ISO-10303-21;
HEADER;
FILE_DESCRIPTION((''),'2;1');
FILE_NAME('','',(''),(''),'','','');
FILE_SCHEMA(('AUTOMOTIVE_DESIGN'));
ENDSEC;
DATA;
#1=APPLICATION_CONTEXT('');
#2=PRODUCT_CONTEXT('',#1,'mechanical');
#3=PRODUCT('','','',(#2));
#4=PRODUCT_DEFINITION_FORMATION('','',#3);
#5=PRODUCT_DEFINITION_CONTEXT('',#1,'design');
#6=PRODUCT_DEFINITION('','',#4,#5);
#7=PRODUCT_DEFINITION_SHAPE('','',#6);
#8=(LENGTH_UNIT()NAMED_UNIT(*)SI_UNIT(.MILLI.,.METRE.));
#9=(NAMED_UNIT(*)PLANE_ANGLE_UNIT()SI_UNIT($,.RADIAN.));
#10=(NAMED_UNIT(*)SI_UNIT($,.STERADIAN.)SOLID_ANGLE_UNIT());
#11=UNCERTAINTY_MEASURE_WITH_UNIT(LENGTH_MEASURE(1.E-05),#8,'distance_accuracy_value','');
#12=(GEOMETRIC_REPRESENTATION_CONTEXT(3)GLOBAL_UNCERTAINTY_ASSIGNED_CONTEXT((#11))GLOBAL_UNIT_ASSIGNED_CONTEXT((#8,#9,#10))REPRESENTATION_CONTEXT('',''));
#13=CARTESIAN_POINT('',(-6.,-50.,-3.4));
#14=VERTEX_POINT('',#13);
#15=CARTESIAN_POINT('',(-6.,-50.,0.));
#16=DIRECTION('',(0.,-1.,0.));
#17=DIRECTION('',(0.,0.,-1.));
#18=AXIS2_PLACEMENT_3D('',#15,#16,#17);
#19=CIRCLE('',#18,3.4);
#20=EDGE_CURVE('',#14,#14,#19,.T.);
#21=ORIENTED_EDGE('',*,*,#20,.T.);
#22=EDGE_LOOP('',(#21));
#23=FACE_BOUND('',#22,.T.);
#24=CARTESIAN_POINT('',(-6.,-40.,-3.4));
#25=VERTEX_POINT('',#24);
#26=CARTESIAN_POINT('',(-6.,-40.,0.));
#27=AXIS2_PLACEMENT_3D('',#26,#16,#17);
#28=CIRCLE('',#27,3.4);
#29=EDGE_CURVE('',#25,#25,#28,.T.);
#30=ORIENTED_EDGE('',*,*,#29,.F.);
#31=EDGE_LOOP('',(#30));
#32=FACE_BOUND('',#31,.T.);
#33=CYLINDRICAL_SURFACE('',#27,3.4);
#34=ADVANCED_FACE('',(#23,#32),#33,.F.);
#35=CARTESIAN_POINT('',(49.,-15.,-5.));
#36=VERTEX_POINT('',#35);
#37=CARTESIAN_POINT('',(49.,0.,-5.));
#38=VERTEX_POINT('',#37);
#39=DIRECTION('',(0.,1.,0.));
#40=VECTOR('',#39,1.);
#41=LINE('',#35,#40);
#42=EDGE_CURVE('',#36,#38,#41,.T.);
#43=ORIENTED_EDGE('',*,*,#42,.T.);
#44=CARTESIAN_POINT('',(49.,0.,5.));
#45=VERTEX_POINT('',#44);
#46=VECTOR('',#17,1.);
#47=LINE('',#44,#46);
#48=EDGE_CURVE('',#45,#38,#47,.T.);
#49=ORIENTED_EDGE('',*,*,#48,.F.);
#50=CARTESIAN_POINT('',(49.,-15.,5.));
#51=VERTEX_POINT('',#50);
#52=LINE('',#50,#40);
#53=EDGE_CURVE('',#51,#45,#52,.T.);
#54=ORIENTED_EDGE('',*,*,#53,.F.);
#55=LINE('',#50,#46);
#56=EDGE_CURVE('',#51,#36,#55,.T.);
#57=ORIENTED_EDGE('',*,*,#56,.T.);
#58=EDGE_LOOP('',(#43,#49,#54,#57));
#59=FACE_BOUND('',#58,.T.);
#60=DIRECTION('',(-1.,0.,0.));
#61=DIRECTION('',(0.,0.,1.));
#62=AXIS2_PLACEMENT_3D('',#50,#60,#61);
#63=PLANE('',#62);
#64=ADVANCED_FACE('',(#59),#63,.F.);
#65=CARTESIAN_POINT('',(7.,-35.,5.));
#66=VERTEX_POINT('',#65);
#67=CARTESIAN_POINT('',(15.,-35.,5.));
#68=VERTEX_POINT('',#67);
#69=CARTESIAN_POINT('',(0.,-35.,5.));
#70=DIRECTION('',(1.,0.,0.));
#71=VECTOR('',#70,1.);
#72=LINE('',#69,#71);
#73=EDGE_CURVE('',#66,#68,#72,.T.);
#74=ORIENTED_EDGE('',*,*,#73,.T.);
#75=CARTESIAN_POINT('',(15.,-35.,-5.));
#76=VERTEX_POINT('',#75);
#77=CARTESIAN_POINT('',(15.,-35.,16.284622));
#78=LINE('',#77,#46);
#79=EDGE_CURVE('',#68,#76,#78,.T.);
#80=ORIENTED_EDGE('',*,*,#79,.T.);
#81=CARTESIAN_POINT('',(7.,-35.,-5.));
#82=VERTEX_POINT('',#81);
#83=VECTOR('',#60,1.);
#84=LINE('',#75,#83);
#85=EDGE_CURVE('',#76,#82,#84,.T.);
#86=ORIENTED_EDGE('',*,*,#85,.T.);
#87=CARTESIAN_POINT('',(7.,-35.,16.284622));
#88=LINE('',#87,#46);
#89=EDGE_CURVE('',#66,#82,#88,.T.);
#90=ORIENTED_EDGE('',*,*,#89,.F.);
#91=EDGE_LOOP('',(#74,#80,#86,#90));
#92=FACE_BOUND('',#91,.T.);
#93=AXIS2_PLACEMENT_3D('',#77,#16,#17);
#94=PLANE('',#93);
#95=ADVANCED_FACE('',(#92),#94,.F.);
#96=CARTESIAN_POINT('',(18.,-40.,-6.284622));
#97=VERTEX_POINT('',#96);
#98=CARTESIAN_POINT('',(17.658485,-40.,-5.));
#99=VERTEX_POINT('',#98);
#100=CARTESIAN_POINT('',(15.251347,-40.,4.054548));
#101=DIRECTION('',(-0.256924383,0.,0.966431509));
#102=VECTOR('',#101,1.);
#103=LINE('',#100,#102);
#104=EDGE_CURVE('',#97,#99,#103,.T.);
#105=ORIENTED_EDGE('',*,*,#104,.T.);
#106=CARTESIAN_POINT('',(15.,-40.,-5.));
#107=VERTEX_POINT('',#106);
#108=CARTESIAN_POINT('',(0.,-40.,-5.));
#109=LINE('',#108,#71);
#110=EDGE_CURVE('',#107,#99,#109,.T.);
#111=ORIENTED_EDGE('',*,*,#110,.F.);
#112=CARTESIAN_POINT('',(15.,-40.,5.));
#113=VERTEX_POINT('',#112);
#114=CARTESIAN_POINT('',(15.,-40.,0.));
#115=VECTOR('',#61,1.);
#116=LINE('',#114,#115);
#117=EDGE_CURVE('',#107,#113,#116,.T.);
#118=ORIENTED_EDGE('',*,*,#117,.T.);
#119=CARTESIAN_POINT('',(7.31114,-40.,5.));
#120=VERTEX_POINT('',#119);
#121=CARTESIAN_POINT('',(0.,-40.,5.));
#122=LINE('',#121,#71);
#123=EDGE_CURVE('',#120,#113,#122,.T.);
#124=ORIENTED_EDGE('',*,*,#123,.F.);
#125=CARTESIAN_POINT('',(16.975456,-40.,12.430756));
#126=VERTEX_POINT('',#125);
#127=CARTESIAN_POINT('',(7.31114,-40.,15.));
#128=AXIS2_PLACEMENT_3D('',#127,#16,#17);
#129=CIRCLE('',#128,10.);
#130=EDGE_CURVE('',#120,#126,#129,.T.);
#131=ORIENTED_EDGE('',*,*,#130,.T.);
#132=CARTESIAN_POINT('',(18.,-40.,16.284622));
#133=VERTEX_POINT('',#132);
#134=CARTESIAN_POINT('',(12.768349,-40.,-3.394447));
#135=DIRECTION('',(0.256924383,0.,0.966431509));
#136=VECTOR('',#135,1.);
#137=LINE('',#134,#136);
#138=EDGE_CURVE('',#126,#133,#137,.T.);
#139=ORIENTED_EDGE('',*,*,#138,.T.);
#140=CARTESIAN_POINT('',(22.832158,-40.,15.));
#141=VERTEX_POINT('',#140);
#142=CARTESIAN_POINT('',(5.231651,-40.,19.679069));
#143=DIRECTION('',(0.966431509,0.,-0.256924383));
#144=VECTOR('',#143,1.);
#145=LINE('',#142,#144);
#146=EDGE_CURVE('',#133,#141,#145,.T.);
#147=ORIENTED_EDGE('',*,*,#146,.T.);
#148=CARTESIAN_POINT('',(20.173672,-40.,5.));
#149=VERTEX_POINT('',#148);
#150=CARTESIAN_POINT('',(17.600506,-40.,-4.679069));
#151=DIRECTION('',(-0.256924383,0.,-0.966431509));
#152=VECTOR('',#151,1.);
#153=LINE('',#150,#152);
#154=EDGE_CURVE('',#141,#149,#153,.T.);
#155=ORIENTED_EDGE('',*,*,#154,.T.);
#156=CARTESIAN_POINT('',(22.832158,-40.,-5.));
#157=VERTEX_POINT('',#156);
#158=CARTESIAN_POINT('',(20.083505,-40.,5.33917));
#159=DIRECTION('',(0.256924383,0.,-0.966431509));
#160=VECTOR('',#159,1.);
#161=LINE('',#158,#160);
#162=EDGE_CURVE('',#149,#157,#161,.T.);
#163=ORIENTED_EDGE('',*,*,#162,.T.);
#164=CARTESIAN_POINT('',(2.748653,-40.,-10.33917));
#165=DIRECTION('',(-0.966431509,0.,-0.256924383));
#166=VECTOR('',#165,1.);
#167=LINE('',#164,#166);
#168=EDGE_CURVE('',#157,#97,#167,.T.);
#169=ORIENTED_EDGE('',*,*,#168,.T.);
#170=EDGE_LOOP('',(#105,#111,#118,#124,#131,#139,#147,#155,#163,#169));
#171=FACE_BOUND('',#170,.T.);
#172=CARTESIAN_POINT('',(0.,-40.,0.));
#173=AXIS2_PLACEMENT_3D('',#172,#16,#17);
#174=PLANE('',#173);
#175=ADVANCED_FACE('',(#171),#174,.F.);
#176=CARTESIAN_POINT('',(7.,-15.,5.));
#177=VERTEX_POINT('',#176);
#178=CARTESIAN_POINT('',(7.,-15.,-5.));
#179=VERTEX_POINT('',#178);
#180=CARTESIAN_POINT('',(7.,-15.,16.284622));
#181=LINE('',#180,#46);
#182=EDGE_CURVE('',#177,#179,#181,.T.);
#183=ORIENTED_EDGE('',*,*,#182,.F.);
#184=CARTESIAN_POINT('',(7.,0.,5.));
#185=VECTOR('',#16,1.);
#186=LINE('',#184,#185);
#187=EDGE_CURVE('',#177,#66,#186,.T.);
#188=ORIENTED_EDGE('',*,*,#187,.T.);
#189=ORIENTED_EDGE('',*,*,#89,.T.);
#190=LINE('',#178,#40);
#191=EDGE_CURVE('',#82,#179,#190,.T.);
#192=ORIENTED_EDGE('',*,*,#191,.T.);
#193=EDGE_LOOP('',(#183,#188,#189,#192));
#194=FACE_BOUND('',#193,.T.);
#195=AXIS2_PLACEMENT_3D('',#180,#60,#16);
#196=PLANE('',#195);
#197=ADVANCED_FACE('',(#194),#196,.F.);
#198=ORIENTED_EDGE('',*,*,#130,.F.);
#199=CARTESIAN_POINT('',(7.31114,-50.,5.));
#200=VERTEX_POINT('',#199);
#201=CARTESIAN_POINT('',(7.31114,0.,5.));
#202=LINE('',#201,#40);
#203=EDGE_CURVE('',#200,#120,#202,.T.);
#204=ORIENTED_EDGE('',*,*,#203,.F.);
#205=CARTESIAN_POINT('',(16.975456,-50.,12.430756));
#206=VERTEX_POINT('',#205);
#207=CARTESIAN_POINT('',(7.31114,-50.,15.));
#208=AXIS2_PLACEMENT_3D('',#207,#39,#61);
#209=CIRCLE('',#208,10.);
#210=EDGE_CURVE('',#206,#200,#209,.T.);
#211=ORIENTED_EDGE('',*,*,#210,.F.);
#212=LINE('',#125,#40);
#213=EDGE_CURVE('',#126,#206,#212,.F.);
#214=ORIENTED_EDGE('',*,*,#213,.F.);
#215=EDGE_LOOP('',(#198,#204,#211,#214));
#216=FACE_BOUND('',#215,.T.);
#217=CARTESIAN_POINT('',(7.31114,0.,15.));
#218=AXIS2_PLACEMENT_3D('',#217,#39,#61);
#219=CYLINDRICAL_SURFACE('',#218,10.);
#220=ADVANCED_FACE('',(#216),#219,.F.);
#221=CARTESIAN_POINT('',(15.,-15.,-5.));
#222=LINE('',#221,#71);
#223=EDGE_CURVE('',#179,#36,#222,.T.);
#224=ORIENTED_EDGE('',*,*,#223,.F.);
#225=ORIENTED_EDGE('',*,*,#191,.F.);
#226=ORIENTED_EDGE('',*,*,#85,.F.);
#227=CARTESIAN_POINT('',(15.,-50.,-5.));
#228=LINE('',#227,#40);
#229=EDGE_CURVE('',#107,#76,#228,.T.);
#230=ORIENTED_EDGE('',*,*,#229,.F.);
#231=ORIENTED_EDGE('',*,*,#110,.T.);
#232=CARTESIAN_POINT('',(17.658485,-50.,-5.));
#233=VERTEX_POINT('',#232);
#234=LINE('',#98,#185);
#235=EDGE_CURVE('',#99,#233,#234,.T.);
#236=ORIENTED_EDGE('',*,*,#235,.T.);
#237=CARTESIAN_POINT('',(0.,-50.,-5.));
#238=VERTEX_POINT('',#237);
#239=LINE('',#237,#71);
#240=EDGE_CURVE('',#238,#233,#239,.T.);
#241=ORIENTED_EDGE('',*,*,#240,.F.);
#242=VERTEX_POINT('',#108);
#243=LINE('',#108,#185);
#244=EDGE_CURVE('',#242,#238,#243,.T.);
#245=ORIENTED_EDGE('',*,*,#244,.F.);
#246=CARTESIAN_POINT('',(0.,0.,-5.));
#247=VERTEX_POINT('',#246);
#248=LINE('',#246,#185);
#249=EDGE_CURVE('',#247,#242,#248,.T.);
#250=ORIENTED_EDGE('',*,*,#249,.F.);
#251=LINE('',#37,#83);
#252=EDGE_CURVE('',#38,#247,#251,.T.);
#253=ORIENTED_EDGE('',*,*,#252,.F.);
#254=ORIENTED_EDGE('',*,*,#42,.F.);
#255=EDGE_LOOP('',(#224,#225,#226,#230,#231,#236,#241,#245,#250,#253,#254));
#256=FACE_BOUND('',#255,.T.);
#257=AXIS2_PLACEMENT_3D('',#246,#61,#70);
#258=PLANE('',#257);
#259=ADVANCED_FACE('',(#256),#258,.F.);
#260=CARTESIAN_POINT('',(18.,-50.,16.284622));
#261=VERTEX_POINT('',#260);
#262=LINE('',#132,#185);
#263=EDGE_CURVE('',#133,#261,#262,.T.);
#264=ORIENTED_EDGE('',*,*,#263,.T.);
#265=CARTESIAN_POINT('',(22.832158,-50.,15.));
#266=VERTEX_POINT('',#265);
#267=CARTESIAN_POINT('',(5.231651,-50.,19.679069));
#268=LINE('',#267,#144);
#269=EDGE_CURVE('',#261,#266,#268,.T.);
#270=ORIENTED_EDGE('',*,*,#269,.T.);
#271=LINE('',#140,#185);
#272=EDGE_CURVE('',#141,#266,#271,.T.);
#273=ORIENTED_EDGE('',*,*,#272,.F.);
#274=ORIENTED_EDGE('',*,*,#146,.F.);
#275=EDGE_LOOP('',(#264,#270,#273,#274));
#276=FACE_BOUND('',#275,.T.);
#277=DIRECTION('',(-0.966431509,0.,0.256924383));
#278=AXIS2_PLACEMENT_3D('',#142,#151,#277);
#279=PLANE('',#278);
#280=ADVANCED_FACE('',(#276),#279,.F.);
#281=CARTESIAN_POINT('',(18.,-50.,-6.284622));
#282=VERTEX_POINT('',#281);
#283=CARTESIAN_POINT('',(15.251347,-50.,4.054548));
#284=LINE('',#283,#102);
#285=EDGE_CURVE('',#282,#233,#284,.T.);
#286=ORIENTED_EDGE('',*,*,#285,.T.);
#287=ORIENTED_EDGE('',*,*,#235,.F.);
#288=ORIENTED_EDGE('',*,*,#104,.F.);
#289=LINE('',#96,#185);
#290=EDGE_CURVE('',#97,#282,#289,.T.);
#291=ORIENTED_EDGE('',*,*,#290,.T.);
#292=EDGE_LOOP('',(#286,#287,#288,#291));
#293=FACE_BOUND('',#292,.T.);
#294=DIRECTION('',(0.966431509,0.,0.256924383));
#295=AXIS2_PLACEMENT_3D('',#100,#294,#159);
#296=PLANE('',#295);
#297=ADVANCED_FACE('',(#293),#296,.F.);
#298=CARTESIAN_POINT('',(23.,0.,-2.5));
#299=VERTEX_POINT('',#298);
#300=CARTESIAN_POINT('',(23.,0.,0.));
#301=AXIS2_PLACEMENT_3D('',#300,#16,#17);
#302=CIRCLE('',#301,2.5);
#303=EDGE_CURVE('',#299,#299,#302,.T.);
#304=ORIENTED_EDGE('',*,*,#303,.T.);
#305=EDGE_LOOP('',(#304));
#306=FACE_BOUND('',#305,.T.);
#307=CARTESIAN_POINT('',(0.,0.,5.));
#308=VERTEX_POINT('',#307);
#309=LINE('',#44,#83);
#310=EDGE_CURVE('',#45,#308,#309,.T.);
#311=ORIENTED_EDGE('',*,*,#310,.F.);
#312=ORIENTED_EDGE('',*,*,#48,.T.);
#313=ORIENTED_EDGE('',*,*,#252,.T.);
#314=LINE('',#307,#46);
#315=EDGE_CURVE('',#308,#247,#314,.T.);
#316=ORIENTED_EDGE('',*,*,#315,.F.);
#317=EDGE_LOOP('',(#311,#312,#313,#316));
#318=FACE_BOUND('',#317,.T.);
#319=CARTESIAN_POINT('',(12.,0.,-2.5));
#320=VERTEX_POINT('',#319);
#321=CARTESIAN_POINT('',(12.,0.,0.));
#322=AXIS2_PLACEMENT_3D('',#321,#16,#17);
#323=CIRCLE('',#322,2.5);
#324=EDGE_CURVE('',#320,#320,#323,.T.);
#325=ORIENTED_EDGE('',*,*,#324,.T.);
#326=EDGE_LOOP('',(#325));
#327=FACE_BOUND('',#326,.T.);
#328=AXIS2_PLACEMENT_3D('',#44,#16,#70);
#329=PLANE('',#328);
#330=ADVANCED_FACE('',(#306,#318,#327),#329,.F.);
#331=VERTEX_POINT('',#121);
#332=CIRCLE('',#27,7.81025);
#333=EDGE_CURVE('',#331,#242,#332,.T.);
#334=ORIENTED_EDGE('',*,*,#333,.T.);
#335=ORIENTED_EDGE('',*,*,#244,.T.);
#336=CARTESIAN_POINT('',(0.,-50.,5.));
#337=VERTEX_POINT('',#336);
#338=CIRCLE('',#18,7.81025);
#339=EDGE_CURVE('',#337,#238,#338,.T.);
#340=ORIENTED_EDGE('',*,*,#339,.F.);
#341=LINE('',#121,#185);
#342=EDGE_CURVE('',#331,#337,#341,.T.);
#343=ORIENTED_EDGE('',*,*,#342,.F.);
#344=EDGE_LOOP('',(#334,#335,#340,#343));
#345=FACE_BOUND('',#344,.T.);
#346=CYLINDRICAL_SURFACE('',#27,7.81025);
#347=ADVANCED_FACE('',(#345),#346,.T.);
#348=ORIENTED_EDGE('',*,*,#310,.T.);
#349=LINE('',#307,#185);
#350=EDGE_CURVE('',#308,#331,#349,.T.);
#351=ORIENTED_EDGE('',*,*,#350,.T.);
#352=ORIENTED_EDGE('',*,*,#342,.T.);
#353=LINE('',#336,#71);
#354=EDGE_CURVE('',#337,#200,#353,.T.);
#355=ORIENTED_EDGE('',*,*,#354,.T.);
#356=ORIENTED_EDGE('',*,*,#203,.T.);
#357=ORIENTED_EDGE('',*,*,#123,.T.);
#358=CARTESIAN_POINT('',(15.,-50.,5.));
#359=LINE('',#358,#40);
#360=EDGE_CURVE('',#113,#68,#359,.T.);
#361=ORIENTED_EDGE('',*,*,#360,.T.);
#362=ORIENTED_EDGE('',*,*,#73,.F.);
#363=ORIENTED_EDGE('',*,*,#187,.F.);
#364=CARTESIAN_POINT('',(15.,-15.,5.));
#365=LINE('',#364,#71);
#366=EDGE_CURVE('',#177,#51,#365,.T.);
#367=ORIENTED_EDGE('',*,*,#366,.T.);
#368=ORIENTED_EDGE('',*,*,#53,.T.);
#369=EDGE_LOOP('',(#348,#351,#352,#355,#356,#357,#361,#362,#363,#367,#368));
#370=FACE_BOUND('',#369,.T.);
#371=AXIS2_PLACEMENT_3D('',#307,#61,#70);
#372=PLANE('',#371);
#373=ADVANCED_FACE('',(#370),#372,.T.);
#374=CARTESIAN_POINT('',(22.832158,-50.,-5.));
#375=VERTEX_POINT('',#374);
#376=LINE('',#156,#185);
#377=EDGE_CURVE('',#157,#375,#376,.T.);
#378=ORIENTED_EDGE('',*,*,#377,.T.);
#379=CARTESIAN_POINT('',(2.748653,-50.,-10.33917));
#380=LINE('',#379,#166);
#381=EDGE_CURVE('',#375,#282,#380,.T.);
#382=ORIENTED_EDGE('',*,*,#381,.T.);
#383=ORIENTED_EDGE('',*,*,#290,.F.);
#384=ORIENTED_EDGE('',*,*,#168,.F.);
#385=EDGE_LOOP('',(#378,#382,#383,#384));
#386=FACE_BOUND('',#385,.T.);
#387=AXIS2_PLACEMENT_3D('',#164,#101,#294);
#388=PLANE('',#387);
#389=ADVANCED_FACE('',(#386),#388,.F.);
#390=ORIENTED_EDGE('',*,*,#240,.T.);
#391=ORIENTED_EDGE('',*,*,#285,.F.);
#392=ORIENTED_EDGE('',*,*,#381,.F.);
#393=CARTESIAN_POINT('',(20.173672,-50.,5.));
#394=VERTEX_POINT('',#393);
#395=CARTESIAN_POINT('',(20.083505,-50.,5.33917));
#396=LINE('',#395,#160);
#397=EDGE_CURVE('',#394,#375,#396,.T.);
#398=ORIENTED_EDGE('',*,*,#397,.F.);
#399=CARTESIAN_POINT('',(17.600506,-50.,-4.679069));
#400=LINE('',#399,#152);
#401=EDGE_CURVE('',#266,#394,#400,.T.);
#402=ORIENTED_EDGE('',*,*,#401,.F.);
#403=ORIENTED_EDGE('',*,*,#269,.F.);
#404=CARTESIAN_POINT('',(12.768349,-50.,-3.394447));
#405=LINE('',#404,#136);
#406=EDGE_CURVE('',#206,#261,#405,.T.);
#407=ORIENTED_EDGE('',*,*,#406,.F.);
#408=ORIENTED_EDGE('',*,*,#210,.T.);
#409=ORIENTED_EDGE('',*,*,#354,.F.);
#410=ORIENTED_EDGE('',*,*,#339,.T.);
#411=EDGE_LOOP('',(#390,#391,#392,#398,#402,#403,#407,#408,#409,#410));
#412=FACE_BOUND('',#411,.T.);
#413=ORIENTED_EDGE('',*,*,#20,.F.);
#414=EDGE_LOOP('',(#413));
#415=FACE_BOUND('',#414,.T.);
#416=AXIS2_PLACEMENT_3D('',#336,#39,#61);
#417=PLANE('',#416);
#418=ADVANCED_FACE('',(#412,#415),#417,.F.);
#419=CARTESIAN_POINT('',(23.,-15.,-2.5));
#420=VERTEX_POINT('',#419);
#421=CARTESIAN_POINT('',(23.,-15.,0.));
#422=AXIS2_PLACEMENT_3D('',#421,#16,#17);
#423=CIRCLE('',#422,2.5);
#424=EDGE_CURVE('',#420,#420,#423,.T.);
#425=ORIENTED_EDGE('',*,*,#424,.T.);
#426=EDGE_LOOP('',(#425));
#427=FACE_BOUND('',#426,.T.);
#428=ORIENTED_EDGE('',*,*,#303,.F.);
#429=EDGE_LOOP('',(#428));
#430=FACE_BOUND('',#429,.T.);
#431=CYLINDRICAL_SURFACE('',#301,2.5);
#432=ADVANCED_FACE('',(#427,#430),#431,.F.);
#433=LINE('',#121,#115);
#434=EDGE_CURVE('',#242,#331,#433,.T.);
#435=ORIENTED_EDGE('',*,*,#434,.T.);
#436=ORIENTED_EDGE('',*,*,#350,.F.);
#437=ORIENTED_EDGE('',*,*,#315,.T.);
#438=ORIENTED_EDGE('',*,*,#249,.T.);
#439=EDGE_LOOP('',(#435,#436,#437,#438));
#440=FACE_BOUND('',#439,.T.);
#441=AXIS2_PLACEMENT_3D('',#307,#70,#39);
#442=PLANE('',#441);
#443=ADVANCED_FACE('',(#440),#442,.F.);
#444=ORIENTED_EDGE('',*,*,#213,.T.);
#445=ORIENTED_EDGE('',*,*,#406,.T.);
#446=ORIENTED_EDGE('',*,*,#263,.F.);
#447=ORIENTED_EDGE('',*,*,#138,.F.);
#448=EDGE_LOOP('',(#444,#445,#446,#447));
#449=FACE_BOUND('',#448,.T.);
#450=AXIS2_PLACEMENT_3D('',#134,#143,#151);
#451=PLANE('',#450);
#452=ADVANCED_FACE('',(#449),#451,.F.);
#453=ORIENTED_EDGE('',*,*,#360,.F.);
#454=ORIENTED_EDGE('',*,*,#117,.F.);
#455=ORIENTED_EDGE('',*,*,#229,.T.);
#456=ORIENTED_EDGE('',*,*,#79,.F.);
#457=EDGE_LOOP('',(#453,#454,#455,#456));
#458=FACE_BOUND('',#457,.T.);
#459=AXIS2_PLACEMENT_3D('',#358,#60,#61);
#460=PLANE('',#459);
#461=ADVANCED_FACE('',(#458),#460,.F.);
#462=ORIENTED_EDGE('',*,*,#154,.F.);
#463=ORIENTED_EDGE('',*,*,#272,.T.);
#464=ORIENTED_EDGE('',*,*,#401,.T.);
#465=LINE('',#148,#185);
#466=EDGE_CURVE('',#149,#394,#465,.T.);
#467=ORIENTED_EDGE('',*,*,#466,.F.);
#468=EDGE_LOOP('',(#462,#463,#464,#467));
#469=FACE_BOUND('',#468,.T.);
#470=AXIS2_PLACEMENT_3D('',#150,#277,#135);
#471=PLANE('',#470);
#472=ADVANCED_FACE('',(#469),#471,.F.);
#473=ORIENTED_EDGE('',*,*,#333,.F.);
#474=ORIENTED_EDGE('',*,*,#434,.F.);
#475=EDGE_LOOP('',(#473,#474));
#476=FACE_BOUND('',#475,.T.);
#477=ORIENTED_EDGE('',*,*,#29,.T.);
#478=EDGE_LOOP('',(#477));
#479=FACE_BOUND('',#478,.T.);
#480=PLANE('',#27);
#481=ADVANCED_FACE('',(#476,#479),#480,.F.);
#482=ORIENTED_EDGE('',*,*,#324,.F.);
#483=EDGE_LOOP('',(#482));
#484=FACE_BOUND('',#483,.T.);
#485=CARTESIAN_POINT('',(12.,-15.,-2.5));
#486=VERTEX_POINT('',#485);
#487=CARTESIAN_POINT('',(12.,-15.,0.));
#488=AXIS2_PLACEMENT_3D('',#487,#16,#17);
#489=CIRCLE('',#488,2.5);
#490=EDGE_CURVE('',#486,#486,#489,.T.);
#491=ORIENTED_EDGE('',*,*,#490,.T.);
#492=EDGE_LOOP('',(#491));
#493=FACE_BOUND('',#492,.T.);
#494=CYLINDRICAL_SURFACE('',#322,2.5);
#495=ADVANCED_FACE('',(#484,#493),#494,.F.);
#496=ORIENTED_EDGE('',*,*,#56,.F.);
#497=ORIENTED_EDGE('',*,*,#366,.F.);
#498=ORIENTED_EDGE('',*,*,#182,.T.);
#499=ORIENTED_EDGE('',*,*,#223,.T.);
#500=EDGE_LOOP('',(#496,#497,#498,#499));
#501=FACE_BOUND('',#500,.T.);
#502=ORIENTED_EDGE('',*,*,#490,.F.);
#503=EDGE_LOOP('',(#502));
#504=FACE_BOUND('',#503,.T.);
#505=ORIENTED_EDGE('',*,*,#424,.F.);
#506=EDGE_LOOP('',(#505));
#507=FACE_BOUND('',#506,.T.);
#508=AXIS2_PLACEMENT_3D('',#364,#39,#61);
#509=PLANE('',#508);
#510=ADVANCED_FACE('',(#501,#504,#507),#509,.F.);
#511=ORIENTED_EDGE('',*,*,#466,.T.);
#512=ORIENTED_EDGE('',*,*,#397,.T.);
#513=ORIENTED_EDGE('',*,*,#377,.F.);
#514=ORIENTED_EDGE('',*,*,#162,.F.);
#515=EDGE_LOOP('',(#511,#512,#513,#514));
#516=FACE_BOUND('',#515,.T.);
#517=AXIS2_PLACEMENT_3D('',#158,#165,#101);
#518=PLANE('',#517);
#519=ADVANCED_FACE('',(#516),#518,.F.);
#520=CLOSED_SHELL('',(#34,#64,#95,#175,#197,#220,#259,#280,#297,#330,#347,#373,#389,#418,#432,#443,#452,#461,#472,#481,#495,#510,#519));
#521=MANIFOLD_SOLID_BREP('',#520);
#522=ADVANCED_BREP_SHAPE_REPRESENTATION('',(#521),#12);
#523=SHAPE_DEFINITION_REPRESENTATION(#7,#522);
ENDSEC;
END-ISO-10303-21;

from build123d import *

# Parameters (mm, degrees)
BOSS_EXTRUDE1_DEPTH = 5
BOSS_EXTRUDE2_DEPTH = 10
FILLET1_R           = 10
SKETCH3_W           = 8
SKETCH3_H           = 20
CUT_EXTRUDE1_DEPTH  = 74.171272574
SKETCH4_R           = 2.5
CUT_EXTRUDE2_DEPTH  = 63.379394923
SKETCH5_R           = 3.4
BOSS_EXTRUDE4_DEPTH = 10


with BuildPart() as part:
    # Sketch1 → Boss-Extrude1 (new, symmetric)
    with BuildSketch(Plane.XY):
        Polygon((49, 0), (0, 0), (0, -50), (15, -50), (15, -15), (49, -15), align=None)
    extrude(amount=BOSS_EXTRUDE1_DEPTH, both=True)

    # Sketch2 → Boss-Extrude2 (add)
    with BuildSketch(Plane.XZ.offset(50)):
        Polygon((22.832157544, -5), (18, -6.284621916), (15, 5), (18, 16.284621916), (22.832157544, 15), (20.173672375, 5), align=None)
        Polygon((15, -5), (17.658485169, -5), (15, 5), align=None)
        Polygon((18, 16.284621916), (15, 5), (20.173672375, 5), (22.832157544, 15), align=None)
    extrude(amount=-BOSS_EXTRUDE2_DEPTH)

    # Fillet1
    fillet1_edges = [part.edges().sort_by_distance(p)[0] for p in [
        (15, -45, 5),
    ]]
    fillet(fillet1_edges, radius=FILLET1_R)

    # Sketch3 → Cut-Extrude1 (cut, through all)
    with BuildSketch(Plane(origin=(0, 0, -5), x_dir=(-1, 0, 0), z_dir=(0, 0, -1))):
        with Locations((-11, -25)):
            Rectangle(SKETCH3_W, SKETCH3_H)
    extrude(amount=-CUT_EXTRUDE1_DEPTH, mode=Mode.SUBTRACT)

    # Sketch4 → Cut-Extrude2 (cut, through all)
    with BuildSketch(Plane.XZ.offset(15)):
        with Locations(Location((23, 0, 0), (0, 0, 270))):
            Circle(SKETCH4_R)
        with Locations(Location((12, 0, 0), (0, 0, 270))):
            Circle(SKETCH4_R)
    extrude(amount=-CUT_EXTRUDE2_DEPTH, mode=Mode.SUBTRACT)

    # Sketch5 → Boss-Extrude4 (add)
    with BuildSketch(Plane.XZ.offset(50)):
        with BuildLine():
            Line((0, 5), (0, -5))
            ThreePointArc((0, -5), (-13.810249676, 0), (0, 5))
        make_face()
        with Locations(Location((-6, 0, 0), (0, 0, 270))):
            Circle(SKETCH5_R, mode=Mode.SUBTRACT)
    extrude(amount=-BOSS_EXTRUDE4_DEPTH)


solid = part.part
